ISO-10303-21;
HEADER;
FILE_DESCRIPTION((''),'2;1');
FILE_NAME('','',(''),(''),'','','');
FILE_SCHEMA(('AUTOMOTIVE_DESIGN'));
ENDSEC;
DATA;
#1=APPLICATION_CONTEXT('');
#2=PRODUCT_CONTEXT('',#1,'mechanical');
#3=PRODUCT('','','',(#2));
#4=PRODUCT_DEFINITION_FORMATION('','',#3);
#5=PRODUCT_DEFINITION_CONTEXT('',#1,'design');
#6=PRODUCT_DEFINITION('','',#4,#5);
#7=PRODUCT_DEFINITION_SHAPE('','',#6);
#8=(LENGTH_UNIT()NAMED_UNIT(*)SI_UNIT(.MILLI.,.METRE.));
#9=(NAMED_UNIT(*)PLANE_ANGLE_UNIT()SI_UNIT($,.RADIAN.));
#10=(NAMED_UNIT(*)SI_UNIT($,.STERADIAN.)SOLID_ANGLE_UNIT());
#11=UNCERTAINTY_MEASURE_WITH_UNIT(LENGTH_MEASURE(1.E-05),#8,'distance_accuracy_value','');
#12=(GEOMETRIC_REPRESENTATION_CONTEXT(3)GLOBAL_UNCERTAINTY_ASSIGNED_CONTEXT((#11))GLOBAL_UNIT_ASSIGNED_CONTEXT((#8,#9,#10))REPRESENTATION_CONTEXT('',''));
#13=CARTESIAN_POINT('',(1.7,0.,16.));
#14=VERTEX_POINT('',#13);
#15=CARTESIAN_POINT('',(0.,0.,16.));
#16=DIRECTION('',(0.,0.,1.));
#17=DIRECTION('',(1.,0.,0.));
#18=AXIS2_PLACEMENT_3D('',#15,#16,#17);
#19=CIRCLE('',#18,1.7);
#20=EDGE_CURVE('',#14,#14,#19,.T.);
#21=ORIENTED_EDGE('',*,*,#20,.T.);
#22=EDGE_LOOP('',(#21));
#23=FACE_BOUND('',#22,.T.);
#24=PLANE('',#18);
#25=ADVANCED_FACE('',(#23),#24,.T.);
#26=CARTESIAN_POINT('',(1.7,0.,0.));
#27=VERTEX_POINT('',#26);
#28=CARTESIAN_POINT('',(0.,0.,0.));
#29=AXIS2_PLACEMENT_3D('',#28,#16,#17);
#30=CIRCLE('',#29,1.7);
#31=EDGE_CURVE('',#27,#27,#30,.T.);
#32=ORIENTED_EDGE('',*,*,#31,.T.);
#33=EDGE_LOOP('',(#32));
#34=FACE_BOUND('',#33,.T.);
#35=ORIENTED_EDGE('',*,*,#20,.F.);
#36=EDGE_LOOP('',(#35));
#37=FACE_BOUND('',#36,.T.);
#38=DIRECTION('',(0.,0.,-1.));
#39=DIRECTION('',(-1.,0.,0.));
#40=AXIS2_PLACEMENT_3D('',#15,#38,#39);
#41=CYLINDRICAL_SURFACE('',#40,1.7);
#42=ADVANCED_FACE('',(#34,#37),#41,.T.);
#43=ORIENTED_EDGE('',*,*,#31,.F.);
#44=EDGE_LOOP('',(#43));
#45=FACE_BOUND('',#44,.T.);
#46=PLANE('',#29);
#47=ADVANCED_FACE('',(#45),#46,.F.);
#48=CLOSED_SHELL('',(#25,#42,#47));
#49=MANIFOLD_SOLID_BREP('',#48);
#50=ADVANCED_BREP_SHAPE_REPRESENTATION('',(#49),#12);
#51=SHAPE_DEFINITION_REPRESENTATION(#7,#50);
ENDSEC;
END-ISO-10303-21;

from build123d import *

# Parameters (mm, degrees)
SKETCH_1_R      = 1.7
EXTRUDE_1_DEPTH = 16


with BuildPart() as part:
    # 草图1 → 拉伸1 (new body)
    with BuildSketch(Plane.XY):
        Circle(SKETCH_1_R)
    extrude(amount=EXTRUDE_1_DEPTH)


solid = part.part
